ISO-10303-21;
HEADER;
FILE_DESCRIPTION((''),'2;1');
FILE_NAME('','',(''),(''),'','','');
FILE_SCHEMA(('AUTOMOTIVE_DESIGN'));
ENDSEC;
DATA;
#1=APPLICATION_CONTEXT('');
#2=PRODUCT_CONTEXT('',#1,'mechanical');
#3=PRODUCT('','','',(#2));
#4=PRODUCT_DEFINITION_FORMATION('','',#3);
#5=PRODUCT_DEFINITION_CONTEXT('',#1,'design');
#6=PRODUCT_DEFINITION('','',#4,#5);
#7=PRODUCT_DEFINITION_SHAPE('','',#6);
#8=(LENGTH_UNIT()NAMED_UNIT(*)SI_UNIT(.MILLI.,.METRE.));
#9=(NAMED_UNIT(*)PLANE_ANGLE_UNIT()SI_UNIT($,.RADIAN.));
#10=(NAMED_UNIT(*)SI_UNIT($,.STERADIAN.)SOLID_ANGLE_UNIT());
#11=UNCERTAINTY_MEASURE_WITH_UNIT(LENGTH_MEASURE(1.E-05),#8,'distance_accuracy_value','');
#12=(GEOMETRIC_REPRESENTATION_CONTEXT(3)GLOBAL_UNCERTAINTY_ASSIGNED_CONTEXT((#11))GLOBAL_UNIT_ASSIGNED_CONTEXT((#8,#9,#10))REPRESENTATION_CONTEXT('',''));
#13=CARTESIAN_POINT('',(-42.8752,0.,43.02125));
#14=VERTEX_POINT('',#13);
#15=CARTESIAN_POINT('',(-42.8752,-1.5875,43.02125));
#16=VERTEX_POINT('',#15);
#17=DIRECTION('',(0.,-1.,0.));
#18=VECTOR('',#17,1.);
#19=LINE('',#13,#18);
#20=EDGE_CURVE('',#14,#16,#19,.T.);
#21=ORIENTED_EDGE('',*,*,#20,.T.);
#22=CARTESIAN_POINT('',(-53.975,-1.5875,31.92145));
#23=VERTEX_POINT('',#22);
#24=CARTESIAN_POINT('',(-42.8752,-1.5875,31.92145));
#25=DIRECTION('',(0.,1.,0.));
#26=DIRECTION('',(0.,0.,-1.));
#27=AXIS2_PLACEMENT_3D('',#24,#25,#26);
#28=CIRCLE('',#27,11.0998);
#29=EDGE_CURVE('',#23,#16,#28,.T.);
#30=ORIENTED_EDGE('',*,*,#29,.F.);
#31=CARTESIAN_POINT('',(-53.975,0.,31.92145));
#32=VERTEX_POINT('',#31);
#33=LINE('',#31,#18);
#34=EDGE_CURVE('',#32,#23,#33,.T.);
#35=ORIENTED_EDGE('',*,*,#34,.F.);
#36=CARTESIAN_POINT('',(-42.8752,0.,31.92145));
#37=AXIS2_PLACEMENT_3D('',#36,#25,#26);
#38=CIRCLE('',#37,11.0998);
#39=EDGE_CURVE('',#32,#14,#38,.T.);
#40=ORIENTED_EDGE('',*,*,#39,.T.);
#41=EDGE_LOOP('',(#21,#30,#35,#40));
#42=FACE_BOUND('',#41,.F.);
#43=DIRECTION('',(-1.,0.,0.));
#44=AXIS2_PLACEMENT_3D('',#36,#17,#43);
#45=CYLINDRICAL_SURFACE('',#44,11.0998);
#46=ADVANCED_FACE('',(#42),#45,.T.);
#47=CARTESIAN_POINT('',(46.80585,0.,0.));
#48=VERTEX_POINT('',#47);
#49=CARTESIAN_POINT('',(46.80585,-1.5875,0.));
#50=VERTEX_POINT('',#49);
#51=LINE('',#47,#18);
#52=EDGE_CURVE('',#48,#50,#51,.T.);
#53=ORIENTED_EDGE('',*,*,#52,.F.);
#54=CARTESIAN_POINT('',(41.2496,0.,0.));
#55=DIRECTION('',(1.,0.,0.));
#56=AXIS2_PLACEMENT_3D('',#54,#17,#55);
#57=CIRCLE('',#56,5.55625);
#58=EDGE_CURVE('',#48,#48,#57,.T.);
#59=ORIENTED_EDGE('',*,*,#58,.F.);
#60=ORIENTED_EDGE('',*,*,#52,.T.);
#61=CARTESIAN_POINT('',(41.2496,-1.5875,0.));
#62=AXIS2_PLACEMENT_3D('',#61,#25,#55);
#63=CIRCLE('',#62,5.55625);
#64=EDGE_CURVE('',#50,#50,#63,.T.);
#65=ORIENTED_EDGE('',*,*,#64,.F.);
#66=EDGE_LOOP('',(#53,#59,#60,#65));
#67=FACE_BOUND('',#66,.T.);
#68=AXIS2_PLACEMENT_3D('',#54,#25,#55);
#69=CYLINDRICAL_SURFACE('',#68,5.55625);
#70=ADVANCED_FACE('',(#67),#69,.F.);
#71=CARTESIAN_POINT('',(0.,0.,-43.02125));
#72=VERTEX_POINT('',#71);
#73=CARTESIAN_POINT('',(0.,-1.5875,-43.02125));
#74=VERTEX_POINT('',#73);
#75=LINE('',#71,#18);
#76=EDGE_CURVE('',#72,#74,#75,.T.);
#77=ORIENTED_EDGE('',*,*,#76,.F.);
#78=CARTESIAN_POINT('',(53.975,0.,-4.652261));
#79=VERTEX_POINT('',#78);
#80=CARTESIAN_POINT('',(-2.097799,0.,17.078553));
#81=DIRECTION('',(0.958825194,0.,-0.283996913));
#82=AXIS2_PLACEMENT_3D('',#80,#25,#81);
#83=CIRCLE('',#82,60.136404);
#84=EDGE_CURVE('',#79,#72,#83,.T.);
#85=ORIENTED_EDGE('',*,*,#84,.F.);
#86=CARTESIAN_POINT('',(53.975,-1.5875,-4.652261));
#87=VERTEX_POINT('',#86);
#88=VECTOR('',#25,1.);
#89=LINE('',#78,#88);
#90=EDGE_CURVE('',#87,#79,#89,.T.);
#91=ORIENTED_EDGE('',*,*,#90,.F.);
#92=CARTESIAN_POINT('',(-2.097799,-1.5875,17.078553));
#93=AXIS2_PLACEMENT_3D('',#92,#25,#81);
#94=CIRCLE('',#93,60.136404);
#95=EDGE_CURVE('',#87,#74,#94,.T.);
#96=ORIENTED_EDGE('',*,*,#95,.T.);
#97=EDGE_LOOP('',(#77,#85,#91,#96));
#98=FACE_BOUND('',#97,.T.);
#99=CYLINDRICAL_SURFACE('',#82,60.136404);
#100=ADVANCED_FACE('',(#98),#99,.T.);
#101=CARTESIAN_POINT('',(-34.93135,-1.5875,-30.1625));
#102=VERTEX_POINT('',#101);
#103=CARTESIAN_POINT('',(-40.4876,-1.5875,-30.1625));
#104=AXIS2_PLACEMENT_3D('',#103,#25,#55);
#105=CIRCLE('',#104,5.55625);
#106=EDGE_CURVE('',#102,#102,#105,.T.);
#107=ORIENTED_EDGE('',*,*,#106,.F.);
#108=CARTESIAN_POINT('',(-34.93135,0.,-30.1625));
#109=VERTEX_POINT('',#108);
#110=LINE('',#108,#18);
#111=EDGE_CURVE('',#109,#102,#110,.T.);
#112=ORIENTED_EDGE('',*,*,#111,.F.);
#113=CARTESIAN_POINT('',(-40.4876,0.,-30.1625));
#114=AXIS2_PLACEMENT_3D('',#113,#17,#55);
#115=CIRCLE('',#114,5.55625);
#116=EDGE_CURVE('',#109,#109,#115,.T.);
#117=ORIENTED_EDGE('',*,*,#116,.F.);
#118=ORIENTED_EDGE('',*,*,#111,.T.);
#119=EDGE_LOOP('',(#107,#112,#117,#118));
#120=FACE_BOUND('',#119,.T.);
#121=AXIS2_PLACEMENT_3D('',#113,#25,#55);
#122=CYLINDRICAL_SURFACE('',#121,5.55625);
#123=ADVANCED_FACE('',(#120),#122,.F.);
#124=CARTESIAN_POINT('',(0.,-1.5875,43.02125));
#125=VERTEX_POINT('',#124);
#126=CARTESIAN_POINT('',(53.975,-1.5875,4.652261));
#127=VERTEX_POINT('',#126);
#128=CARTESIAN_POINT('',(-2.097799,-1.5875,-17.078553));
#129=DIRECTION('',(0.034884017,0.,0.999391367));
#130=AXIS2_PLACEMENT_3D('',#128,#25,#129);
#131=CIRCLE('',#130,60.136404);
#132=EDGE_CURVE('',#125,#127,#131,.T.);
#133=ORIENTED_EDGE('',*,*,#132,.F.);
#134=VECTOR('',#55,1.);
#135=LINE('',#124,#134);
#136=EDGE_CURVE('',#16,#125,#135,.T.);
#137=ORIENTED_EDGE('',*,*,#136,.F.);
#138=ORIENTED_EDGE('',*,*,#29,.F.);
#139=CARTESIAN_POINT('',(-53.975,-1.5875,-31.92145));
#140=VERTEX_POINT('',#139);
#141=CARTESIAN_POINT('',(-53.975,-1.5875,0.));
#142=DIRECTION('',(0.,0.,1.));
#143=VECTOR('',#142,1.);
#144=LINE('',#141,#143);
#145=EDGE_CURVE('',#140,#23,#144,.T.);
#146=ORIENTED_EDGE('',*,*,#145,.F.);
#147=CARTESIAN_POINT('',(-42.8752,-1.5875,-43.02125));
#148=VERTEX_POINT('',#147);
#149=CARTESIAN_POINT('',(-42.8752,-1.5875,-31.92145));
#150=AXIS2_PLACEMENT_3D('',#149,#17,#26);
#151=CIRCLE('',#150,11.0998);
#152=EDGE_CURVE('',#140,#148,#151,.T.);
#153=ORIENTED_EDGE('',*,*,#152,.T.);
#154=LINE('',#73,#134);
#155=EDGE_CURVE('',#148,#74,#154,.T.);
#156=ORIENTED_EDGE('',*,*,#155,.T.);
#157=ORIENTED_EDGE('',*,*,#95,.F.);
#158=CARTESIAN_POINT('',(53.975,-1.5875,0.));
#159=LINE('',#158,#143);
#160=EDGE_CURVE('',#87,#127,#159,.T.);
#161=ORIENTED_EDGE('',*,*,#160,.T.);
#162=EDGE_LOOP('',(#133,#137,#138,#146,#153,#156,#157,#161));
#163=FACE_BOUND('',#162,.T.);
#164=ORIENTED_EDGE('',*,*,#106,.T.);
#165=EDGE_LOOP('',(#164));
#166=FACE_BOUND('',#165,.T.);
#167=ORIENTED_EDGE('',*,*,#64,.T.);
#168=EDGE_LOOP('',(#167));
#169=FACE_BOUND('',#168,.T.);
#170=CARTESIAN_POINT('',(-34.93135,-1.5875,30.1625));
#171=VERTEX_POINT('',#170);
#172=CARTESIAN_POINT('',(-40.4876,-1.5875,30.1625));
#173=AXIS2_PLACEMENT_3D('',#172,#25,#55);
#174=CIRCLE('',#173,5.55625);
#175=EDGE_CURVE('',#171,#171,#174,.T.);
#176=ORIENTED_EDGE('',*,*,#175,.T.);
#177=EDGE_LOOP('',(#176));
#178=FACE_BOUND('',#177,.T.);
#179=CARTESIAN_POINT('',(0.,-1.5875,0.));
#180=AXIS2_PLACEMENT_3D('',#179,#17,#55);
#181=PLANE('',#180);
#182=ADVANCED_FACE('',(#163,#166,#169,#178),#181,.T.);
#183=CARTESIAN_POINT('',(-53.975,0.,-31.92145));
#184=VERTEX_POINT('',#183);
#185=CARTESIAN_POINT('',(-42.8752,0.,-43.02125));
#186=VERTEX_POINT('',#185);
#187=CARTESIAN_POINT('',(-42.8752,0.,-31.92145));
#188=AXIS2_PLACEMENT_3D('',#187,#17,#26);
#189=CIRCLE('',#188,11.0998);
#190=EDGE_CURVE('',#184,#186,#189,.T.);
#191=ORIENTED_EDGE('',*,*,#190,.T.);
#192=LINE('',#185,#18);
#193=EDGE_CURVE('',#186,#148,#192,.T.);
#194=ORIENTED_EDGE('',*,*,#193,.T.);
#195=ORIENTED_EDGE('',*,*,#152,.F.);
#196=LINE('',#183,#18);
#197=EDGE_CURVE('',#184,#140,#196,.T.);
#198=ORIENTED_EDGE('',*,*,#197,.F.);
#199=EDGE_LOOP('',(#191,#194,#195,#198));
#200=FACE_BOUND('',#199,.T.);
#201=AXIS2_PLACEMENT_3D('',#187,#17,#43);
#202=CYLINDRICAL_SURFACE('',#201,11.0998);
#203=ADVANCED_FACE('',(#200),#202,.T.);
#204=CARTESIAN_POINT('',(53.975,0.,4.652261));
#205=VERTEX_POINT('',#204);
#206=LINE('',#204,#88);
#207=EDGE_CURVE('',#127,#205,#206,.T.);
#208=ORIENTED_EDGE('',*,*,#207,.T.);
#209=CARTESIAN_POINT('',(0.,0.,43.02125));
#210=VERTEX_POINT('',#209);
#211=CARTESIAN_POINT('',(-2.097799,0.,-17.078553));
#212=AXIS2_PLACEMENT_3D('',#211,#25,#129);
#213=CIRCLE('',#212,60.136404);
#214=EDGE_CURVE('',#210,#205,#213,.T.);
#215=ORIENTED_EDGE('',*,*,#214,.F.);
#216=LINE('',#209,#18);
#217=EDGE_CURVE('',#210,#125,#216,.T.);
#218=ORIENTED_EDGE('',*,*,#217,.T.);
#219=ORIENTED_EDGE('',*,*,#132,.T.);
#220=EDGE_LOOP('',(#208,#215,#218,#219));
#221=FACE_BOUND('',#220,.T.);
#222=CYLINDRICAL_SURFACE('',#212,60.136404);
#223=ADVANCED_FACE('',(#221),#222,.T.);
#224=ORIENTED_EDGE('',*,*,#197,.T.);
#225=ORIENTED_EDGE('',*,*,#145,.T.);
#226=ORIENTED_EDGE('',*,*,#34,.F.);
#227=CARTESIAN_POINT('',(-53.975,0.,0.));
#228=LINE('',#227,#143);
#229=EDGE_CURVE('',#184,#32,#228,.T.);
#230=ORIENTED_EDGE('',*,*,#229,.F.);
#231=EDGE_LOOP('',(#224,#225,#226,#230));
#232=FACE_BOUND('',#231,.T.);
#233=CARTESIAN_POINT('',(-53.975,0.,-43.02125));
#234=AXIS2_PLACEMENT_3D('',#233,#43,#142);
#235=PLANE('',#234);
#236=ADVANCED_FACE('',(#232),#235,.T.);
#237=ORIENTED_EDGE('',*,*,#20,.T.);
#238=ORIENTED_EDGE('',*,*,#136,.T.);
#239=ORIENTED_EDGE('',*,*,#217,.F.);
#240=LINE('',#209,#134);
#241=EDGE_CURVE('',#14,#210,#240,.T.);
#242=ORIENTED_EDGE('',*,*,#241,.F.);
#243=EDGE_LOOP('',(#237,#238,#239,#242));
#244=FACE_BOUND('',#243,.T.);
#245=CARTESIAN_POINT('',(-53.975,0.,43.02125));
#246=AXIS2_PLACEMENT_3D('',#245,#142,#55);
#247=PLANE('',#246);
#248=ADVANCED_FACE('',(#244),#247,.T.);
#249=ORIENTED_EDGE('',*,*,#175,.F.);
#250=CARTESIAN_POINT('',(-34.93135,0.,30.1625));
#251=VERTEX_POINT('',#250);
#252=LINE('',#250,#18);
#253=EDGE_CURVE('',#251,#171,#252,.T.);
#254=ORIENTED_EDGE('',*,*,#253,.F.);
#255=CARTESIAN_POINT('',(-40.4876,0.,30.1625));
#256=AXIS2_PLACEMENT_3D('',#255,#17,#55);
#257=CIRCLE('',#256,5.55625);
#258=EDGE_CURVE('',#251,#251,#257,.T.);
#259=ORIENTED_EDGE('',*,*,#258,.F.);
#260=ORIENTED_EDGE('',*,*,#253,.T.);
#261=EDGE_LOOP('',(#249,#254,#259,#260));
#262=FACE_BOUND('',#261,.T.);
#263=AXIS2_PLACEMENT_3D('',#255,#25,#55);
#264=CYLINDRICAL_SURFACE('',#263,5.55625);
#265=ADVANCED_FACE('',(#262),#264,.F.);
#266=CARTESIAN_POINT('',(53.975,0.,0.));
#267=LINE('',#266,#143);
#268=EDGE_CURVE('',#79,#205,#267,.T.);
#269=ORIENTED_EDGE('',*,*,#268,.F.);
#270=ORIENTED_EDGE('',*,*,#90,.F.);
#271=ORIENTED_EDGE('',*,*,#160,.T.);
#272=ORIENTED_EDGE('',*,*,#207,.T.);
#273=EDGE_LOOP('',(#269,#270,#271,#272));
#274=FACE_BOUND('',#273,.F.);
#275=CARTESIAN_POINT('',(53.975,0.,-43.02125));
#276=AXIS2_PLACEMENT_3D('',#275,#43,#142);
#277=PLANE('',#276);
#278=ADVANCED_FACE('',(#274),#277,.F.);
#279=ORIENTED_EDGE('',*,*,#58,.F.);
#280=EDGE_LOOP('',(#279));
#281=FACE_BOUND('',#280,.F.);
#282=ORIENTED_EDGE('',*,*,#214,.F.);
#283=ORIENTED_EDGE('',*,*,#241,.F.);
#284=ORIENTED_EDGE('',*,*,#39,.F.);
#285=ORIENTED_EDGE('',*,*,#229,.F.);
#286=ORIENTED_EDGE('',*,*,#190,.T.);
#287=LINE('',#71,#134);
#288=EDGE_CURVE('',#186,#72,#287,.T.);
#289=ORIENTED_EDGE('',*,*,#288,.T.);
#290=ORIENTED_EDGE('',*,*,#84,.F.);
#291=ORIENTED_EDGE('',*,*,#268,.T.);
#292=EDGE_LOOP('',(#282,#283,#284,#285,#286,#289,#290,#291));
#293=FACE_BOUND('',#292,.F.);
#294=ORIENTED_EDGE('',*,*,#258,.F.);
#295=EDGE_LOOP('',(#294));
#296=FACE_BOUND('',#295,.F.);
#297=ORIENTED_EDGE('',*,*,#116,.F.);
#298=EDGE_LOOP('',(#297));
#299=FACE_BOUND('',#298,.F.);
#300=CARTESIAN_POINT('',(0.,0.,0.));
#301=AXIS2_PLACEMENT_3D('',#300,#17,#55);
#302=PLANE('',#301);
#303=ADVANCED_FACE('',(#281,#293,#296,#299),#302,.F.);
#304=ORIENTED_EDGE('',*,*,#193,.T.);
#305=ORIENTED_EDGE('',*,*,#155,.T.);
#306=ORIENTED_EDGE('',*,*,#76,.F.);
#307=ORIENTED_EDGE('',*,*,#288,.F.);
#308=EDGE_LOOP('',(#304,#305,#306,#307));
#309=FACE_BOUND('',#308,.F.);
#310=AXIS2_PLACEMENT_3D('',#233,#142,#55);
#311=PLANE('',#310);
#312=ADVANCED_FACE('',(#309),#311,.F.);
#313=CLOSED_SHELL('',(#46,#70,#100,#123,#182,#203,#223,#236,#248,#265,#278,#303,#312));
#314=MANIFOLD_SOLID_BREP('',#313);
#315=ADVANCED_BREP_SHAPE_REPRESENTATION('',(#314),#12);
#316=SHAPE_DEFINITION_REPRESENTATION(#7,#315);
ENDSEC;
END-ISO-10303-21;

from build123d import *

# Parameters (mm, degrees)
F0_W     = 107.95
F0_H     = 86.0425
F1_DEPTH = 1.5875
F2_R     = 11.0998
F3_R     = 5.55625
F4_DEPTH = 1.5885
F6_DEPTH = 1.5885


with BuildPart() as f1:
    # F0 (on Front) → F1 (new body)
    with BuildSketch(Plane.XZ):
        Rectangle(F0_W, F0_H)
    extrude(amount=F1_DEPTH)

    # F2
    f2_edges = [f1.edges().sort_by_distance(p)[0] for p in [
        (-53.975, -0.79375, 43.02125),
        (-53.975, -0.79375, -43.02125),
    ]]
    fillet(f2_edges, radius=F2_R)

    # F3 (on Front) → F4 (cut, through all)
    with BuildSketch(Plane.XZ):
        with Locations((-40.4876, 30.1625)):
            Circle(F3_R)
        with Locations((-40.4876, -30.1625)):
            Circle(F3_R)
        with Locations((41.2496, 0)):
            Circle(F3_R)
    extrude(amount=F4_DEPTH, mode=Mode.SUBTRACT)

    # F5 (on Front) → F6 (cut, through all)
    with BuildSketch(Plane.XZ):
        with BuildLine():
            ThreePointArc((0, 43.02125), (34.718835, 30.470606), (55.5625, 0))
            ThreePointArc((55.5625, 0), (34.718835, -30.470606), (0, -43.02125))
            Line((0, -43.02125), (73.436641, -43.02125))
            Line((73.436641, -43.02125), (73.436641, 43.02125))
            Line((73.436641, 43.02125), (0, 43.02125))
        make_face()
    extrude(amount=F6_DEPTH, mode=Mode.SUBTRACT)


solid = f1.part
